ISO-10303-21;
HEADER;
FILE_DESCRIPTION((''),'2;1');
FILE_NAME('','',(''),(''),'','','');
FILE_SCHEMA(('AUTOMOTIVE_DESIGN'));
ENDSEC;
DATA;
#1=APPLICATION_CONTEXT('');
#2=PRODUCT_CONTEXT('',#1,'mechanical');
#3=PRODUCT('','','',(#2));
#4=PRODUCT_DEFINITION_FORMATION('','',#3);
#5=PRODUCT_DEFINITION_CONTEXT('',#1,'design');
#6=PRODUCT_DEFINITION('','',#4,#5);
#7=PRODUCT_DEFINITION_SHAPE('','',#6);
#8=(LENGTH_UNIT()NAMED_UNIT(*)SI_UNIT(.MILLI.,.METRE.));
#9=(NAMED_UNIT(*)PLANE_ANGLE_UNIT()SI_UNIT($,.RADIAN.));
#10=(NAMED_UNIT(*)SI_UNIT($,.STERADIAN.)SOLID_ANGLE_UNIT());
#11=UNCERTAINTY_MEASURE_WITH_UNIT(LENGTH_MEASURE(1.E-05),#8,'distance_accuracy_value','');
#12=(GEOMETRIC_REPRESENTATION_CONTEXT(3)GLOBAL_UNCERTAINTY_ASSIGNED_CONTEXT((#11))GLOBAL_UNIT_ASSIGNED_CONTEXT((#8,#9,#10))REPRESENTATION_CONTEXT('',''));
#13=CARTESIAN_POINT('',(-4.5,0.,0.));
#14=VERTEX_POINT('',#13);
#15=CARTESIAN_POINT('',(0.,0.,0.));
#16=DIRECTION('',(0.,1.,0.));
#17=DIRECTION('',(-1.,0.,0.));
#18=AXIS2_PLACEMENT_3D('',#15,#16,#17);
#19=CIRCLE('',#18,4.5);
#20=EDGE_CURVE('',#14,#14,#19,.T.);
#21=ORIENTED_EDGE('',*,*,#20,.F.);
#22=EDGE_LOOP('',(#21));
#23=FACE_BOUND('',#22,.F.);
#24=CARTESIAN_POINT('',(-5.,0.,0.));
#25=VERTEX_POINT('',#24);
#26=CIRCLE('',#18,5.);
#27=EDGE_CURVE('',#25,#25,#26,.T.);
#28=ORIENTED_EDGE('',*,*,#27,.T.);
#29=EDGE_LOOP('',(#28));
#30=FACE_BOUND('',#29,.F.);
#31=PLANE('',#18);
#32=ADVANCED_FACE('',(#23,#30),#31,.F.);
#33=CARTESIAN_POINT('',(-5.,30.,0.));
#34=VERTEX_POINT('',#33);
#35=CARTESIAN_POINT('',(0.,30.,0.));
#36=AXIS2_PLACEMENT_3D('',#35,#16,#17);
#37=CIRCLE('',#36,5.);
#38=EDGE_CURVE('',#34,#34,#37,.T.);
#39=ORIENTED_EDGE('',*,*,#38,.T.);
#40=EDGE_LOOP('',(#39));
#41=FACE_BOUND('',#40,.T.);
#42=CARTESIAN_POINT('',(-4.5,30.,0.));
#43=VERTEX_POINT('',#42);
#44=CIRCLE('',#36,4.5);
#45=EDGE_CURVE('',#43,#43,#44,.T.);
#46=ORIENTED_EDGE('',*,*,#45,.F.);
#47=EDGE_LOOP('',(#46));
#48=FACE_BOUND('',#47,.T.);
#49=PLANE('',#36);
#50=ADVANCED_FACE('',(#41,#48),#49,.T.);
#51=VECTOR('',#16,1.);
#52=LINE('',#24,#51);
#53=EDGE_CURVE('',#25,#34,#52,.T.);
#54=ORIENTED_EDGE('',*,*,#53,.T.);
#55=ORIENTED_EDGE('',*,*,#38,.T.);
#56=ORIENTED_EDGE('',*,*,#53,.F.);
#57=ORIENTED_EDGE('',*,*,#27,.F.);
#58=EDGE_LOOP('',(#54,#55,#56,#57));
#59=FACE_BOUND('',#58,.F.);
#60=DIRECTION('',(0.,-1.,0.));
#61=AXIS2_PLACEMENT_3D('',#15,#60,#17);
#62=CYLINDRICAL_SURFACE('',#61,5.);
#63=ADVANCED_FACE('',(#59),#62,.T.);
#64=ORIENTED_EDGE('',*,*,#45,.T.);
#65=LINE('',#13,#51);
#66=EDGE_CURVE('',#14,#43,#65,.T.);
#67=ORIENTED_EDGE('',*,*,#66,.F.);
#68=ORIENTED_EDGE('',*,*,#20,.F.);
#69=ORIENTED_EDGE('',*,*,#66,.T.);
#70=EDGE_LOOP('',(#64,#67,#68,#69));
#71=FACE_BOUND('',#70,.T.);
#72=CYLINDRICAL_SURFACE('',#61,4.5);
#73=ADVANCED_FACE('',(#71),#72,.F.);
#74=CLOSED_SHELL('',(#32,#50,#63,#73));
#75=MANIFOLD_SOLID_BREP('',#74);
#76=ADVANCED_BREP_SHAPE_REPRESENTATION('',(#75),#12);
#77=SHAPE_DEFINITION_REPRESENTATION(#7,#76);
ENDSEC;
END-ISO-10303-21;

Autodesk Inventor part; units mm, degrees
ref_plane "YZ Plane" through (0, 0, 0) normal (1, 0, 0) x (0, 1, 0)
ref_plane "XZ Plane" through (0, 0, 0) normal (0, 1, 0) x (-1, 0, 0)
ref_plane "XY Plane" through (0, 0, 0) normal (0, 0, 1) x (1, 0, 0)
sketch "Sketch1" plane through (0, 0, 0) normal (0, 1, 0) x (-1, 0, 0)
  circle A0 centre (0, 0) radius 5
  circle A1 centre (0, 0) radius 4.5
  dimension "d0" = 10
  dimension "d1" = 9
extrude "Extrusion1" add sketch "Sketch1" along normal blind 30
properties part number "AluminiumRod" material "Aluminum 6061"
